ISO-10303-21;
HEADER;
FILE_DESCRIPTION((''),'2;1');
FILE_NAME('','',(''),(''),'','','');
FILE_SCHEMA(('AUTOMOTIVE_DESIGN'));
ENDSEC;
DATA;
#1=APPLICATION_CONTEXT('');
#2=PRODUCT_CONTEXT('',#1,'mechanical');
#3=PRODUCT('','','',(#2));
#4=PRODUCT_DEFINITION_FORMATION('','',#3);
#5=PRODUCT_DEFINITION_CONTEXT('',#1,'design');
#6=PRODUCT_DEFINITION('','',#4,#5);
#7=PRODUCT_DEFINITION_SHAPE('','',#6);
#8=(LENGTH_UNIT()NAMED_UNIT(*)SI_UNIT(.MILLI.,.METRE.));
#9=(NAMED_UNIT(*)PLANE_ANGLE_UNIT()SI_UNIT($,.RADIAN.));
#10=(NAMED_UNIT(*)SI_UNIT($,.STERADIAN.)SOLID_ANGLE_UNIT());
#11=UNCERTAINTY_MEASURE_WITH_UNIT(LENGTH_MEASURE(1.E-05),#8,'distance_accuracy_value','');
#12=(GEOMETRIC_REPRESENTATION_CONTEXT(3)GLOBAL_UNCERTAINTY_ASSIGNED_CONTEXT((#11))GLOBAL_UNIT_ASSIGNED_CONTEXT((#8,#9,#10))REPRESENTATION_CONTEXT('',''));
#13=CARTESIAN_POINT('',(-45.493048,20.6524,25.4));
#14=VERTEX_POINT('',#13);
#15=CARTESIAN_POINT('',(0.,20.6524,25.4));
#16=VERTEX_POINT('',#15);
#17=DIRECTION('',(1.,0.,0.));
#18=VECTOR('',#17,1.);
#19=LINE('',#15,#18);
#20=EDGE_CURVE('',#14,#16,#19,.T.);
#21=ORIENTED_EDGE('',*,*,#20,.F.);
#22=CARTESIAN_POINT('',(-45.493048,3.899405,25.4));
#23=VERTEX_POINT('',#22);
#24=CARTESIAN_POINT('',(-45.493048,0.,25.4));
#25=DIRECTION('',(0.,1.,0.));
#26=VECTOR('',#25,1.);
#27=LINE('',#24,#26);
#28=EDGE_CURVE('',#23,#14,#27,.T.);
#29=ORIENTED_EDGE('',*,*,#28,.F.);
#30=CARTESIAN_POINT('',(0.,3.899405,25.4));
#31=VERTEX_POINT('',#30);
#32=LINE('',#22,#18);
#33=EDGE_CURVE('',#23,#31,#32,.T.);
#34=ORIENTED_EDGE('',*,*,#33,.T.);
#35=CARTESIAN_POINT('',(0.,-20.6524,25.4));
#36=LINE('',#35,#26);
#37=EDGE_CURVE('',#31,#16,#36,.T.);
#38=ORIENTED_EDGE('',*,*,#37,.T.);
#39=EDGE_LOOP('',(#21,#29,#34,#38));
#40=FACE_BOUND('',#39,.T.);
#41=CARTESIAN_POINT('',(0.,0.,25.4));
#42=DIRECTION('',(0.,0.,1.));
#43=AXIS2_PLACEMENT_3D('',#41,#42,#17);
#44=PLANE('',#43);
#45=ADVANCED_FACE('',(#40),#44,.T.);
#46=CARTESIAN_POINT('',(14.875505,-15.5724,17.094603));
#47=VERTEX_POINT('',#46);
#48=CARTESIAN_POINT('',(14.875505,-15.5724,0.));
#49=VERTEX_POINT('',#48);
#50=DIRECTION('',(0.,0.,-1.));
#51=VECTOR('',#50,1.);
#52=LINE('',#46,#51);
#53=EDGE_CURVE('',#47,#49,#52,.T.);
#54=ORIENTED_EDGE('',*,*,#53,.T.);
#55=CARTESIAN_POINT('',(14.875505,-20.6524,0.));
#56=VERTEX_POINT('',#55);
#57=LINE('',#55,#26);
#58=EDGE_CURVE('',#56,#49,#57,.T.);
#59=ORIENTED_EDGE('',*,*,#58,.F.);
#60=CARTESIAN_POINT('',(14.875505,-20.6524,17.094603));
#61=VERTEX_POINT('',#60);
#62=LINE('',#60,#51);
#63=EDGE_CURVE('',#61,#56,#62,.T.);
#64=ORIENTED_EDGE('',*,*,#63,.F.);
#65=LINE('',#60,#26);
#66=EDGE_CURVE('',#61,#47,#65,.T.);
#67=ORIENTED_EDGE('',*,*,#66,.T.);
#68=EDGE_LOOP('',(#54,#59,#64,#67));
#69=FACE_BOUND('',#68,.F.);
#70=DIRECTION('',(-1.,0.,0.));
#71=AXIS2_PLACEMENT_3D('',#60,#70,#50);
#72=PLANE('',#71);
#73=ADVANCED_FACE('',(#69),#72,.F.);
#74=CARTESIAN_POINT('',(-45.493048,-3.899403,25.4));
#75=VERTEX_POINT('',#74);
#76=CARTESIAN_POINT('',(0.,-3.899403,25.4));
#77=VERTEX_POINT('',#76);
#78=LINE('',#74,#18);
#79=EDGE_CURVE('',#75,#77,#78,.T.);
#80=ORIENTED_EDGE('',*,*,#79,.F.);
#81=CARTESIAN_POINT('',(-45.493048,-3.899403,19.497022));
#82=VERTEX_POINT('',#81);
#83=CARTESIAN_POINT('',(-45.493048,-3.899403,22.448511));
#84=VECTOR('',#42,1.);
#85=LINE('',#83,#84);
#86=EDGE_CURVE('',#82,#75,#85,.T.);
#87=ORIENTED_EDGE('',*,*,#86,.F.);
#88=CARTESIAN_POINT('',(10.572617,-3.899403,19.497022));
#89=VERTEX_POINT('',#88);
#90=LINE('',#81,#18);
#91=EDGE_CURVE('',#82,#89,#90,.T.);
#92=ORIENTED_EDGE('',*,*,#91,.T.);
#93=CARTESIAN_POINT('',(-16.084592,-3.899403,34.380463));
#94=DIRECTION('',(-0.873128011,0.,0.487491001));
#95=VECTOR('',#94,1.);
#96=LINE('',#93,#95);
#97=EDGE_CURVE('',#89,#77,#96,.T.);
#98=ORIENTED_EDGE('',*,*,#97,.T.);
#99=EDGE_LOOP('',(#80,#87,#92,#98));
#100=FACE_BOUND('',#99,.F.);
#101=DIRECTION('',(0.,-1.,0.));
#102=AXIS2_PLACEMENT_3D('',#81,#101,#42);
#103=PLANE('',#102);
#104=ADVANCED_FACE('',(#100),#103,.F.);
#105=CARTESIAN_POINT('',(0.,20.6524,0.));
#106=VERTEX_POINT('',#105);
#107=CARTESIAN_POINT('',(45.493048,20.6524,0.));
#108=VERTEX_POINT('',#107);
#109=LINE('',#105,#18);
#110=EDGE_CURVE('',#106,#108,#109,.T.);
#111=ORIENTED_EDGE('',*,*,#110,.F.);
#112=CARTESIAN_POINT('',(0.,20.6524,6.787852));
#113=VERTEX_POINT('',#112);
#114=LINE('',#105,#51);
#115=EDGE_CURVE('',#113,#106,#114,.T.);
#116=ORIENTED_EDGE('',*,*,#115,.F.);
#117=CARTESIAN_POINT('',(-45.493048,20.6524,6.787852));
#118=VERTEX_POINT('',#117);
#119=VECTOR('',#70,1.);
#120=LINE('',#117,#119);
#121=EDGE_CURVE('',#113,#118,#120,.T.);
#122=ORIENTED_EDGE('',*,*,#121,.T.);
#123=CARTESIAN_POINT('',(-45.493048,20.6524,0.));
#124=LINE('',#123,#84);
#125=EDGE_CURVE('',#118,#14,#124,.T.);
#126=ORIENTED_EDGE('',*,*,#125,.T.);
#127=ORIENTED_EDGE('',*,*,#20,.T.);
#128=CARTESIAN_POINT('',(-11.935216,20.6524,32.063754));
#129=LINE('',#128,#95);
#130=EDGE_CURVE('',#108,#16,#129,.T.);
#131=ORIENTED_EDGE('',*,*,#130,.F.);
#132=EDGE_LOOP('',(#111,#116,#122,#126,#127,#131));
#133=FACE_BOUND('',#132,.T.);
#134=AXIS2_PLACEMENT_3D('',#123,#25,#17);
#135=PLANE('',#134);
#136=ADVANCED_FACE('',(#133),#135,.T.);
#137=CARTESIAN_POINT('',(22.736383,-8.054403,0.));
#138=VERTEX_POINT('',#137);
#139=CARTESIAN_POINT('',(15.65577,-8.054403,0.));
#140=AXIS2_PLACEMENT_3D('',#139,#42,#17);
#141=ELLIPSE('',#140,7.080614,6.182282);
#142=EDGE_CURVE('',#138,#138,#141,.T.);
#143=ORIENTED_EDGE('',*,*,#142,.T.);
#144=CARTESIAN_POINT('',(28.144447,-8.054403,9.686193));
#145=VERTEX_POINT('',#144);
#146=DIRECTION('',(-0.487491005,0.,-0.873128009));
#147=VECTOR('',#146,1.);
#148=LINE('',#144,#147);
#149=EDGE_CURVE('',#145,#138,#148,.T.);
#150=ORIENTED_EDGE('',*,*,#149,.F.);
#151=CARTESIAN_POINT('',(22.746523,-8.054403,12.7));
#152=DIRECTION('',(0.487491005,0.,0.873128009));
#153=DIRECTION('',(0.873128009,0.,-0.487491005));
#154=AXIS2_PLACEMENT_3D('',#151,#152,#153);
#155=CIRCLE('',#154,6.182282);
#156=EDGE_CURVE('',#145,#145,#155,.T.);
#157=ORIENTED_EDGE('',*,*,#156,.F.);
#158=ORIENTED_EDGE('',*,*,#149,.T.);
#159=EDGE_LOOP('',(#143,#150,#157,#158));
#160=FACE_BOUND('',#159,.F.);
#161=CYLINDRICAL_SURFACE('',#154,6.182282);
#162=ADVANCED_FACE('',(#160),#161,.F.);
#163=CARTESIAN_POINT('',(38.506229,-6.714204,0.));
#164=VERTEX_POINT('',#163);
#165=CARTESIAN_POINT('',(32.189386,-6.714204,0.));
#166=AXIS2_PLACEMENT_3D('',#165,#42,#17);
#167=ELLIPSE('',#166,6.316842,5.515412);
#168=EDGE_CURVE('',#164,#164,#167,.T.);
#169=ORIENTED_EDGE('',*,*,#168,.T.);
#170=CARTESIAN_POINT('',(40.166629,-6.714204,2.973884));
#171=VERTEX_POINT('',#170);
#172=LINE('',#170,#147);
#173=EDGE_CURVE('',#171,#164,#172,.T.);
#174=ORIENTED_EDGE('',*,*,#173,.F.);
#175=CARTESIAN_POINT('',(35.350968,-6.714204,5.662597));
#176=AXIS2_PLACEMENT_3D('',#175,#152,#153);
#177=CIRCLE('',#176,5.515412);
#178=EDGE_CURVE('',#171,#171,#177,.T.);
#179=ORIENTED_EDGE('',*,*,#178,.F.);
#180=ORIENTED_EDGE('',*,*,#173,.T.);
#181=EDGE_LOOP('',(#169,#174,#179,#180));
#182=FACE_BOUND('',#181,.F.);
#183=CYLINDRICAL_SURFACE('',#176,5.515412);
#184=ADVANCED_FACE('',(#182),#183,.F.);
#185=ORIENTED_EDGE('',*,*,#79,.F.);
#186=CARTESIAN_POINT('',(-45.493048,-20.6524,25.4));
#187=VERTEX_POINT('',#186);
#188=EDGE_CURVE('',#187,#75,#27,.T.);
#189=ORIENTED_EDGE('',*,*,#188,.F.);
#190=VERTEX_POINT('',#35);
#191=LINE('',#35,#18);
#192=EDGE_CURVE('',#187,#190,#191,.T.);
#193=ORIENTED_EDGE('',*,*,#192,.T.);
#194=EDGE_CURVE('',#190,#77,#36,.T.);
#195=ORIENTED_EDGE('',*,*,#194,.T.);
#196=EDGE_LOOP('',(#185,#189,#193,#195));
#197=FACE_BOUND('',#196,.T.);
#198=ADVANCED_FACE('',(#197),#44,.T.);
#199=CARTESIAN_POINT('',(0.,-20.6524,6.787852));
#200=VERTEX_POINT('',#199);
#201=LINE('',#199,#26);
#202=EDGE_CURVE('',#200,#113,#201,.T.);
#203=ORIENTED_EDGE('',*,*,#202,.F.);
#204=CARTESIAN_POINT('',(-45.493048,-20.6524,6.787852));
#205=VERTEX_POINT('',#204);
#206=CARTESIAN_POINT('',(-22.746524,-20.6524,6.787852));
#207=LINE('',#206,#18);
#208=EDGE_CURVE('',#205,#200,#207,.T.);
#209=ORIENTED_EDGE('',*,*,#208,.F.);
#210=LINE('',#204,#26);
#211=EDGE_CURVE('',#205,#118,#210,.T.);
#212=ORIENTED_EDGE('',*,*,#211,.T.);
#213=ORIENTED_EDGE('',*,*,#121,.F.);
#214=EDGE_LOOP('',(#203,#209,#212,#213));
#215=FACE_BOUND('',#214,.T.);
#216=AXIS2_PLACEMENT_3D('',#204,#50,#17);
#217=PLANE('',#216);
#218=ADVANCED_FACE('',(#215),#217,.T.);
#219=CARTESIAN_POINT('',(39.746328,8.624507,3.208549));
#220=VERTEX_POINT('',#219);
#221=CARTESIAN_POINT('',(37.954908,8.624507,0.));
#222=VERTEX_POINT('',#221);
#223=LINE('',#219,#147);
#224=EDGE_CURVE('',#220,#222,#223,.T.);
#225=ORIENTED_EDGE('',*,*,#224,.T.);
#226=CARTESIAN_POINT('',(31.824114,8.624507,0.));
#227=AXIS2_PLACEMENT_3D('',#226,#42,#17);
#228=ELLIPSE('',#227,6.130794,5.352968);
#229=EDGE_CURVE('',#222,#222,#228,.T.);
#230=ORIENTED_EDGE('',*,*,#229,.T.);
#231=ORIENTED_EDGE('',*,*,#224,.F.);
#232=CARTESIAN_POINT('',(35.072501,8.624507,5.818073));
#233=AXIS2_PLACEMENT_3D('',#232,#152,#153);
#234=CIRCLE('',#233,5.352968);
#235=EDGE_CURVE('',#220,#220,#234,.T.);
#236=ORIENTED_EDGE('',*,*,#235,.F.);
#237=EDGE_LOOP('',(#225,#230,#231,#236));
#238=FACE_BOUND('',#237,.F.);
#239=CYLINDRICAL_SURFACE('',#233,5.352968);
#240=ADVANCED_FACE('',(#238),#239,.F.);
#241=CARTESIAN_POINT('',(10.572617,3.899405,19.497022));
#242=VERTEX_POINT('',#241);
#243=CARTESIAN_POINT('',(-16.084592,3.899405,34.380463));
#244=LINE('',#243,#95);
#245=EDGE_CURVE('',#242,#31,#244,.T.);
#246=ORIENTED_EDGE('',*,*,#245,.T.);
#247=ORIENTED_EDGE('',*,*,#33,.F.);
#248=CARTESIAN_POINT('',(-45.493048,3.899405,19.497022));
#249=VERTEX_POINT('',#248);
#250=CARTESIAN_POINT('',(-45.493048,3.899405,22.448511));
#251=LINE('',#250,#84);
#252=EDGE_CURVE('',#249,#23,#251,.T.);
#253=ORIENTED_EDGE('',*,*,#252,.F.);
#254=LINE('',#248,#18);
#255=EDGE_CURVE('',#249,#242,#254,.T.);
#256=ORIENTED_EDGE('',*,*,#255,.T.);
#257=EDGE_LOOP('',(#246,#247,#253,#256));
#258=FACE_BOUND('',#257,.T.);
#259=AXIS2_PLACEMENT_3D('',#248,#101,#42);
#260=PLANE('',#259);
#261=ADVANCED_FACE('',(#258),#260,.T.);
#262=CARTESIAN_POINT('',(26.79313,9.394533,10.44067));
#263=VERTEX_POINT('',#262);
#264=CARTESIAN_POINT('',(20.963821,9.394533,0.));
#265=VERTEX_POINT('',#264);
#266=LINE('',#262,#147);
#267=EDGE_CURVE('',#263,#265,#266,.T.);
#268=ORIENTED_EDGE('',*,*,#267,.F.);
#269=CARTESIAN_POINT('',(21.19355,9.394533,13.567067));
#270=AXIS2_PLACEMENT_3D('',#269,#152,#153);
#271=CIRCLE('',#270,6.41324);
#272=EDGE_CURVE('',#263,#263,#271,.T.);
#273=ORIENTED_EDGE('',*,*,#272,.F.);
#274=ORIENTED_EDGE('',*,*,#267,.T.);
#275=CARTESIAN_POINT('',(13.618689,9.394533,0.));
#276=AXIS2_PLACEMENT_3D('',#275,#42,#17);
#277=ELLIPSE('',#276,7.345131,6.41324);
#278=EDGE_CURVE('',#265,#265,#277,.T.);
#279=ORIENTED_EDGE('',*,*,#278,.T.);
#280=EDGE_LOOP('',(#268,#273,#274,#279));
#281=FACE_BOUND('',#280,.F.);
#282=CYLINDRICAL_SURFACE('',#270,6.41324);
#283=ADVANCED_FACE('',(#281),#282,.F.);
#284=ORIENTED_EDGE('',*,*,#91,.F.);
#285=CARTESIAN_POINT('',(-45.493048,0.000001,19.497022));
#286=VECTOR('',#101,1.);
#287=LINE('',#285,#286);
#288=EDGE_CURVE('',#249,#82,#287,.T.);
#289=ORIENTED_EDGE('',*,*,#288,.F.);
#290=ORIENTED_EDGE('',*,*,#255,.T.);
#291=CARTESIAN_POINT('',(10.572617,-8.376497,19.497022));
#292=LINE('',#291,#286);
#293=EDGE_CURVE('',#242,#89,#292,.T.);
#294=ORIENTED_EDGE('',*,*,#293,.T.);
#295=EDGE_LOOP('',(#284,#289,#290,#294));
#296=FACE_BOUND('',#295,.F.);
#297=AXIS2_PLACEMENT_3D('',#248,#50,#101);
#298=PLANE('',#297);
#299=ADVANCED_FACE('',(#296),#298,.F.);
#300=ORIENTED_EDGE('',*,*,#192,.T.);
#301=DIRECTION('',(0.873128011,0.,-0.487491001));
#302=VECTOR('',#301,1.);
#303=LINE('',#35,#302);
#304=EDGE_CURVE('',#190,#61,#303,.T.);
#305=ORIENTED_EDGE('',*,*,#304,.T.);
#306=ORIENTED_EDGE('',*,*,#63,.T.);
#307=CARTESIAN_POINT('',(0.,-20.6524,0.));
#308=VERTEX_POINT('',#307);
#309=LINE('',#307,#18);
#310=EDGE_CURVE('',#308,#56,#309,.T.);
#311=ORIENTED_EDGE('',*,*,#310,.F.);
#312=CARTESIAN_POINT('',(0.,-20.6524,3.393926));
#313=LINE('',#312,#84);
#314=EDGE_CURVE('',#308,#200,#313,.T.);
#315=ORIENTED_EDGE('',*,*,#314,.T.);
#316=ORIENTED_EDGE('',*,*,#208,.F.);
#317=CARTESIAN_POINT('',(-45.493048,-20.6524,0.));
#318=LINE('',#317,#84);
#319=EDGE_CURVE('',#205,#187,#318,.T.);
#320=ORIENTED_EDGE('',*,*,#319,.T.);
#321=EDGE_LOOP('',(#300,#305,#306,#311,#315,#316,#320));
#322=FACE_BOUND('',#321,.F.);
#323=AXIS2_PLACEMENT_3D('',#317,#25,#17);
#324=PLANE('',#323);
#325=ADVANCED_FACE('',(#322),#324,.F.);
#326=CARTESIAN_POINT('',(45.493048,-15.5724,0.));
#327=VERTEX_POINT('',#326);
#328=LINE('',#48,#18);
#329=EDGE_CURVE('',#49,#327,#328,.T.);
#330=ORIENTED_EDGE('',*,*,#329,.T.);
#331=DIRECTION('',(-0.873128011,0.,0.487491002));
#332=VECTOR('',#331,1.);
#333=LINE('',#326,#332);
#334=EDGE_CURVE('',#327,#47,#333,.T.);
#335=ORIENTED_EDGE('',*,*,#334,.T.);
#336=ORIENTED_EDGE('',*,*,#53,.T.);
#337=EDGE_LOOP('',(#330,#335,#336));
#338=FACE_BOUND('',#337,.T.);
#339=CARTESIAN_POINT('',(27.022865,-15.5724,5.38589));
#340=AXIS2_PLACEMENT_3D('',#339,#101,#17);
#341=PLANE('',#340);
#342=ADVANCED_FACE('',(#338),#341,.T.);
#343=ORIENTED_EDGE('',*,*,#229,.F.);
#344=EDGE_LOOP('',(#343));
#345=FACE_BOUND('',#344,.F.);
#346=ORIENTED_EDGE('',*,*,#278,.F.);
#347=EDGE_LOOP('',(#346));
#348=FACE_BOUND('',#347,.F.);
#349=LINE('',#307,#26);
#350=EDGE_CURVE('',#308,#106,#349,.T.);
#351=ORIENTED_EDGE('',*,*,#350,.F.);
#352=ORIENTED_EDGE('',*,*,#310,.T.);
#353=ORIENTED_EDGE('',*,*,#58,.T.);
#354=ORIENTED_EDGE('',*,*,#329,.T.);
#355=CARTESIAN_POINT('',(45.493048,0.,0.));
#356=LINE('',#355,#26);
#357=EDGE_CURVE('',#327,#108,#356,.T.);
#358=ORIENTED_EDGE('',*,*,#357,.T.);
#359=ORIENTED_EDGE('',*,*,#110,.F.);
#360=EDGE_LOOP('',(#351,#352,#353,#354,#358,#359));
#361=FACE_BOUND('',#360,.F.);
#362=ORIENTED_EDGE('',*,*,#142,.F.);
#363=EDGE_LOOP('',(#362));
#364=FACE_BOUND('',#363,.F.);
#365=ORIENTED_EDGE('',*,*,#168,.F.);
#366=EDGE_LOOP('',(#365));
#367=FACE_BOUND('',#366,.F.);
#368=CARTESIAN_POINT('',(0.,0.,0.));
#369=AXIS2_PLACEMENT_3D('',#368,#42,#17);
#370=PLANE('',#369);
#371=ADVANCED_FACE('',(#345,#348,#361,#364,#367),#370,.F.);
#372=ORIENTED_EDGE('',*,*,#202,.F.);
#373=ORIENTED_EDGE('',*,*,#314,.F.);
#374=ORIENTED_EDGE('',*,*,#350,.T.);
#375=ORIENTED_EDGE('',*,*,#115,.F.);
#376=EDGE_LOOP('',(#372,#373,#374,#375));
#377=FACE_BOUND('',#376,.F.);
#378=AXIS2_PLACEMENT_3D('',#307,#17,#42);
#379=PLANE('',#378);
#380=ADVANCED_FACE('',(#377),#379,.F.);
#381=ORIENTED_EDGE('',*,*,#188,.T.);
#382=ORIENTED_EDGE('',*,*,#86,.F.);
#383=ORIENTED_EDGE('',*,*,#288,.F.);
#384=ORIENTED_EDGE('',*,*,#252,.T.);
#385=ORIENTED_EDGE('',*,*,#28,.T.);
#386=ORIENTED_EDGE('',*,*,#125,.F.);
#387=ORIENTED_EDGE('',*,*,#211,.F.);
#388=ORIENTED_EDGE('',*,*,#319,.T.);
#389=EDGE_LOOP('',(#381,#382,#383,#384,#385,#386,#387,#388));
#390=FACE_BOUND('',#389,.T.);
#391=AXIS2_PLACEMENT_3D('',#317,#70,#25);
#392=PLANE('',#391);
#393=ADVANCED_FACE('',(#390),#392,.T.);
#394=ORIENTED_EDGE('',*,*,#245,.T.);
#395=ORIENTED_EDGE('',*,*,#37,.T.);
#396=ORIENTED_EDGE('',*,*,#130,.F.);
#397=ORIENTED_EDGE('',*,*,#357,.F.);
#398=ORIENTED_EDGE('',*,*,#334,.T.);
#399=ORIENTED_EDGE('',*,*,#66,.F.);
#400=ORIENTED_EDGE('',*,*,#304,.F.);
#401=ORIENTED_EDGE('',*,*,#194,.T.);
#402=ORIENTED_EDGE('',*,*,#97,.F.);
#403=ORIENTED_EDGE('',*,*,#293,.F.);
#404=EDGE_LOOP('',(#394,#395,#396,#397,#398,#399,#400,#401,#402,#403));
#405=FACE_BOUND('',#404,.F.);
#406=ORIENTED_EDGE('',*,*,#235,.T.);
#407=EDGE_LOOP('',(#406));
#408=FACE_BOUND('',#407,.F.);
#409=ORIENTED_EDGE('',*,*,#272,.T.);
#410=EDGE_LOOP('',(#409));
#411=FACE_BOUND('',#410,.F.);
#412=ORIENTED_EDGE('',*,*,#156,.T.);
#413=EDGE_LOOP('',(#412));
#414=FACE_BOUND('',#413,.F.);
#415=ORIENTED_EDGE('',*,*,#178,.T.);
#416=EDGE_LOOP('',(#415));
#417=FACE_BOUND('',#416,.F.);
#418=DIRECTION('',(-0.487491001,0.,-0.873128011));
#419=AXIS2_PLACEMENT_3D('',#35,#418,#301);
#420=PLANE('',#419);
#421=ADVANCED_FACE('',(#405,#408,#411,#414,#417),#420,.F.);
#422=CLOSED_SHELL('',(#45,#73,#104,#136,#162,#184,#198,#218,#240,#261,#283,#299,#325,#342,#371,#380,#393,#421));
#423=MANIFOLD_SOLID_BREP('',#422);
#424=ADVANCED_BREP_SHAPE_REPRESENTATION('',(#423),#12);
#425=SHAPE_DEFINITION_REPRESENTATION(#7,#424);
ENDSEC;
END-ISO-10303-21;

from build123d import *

# Parameters (mm, degrees)
F0_W      = 90.986096
F0_H      = 41.3048
F1_DEPTH  = 25.4
F3_DEPTH  = 50.8
F4_W      = 7.798808
F4_H      = 5.902978
F5_DEPTH  = 101.6
F6_R      = 6.182282
F6_R_2    = 6.41324
F6_R_3    = 5.352968
F6_R_4    = 5.515412
F7_DEPTH  = 44.355903
F9_DEPTH  = 5.08
F10_W     = 45.493048
F10_H     = 6.787852
F11_DEPTH = 41.305801


with BuildPart() as f1:
    # F0 (on Top) → F1 (new body)
    with BuildSketch(Plane.XY):
        Rectangle(F0_W, F0_H)
    extrude(amount=F1_DEPTH)

    # F2 (on face) → F3 (cut)
    with BuildSketch(Plane.XZ.offset(20.6524)):
        Polygon((45.493048, 25.4), (0, 25.4), (45.493048, 0), align=None)
    extrude(amount=-F3_DEPTH, mode=Mode.SUBTRACT)

    # F4 (on face) → F5 (cut)
    with BuildSketch(Plane(origin=(-45.493048, 0, 0), x_dir=(0, -1, 0), z_dir=(-1, 0, 0))):
        with Locations((-1e-06, 22.448511)):
            Rectangle(F4_W, F4_H)
    extrude(amount=-F5_DEPTH, mode=Mode.SUBTRACT)

    # F6 (on face) → F7 (cut, through all)
    with BuildSketch(Plane(origin=(10.811308, 0, 19.363754), x_dir=(0.873128, 0, -0.487491), z_dir=(0.487491, 0, 0.873128))):
        with Locations((13.669491, -8.054403)):
            Circle(F6_R)
        with Locations((11.890859, 9.394533)):
            Circle(F6_R_2)
        with Locations((27.786525, 8.624507)):
            Circle(F6_R_3)
        with Locations((28.105455, -6.714204)):
            Circle(F6_R_4)
    extrude(amount=-F7_DEPTH, mode=Mode.SUBTRACT)

    # F8 (on face) → F9 (cut)
    with BuildSketch(Plane.XZ.offset(20.6524)):
        Polygon((14.875505, 17.094603), (14.875505, 0), (45.493048, 0), align=None)
    extrude(amount=-F9_DEPTH, mode=Mode.SUBTRACT)

    # F10 (on face) → F11 (cut, through all)
    with BuildSketch(Plane.XZ.offset(20.6524)):
        with Locations((-22.746524, 3.393926)):
            Rectangle(F10_W, F10_H)
    extrude(amount=-F11_DEPTH, mode=Mode.SUBTRACT)


solid = f1.part
